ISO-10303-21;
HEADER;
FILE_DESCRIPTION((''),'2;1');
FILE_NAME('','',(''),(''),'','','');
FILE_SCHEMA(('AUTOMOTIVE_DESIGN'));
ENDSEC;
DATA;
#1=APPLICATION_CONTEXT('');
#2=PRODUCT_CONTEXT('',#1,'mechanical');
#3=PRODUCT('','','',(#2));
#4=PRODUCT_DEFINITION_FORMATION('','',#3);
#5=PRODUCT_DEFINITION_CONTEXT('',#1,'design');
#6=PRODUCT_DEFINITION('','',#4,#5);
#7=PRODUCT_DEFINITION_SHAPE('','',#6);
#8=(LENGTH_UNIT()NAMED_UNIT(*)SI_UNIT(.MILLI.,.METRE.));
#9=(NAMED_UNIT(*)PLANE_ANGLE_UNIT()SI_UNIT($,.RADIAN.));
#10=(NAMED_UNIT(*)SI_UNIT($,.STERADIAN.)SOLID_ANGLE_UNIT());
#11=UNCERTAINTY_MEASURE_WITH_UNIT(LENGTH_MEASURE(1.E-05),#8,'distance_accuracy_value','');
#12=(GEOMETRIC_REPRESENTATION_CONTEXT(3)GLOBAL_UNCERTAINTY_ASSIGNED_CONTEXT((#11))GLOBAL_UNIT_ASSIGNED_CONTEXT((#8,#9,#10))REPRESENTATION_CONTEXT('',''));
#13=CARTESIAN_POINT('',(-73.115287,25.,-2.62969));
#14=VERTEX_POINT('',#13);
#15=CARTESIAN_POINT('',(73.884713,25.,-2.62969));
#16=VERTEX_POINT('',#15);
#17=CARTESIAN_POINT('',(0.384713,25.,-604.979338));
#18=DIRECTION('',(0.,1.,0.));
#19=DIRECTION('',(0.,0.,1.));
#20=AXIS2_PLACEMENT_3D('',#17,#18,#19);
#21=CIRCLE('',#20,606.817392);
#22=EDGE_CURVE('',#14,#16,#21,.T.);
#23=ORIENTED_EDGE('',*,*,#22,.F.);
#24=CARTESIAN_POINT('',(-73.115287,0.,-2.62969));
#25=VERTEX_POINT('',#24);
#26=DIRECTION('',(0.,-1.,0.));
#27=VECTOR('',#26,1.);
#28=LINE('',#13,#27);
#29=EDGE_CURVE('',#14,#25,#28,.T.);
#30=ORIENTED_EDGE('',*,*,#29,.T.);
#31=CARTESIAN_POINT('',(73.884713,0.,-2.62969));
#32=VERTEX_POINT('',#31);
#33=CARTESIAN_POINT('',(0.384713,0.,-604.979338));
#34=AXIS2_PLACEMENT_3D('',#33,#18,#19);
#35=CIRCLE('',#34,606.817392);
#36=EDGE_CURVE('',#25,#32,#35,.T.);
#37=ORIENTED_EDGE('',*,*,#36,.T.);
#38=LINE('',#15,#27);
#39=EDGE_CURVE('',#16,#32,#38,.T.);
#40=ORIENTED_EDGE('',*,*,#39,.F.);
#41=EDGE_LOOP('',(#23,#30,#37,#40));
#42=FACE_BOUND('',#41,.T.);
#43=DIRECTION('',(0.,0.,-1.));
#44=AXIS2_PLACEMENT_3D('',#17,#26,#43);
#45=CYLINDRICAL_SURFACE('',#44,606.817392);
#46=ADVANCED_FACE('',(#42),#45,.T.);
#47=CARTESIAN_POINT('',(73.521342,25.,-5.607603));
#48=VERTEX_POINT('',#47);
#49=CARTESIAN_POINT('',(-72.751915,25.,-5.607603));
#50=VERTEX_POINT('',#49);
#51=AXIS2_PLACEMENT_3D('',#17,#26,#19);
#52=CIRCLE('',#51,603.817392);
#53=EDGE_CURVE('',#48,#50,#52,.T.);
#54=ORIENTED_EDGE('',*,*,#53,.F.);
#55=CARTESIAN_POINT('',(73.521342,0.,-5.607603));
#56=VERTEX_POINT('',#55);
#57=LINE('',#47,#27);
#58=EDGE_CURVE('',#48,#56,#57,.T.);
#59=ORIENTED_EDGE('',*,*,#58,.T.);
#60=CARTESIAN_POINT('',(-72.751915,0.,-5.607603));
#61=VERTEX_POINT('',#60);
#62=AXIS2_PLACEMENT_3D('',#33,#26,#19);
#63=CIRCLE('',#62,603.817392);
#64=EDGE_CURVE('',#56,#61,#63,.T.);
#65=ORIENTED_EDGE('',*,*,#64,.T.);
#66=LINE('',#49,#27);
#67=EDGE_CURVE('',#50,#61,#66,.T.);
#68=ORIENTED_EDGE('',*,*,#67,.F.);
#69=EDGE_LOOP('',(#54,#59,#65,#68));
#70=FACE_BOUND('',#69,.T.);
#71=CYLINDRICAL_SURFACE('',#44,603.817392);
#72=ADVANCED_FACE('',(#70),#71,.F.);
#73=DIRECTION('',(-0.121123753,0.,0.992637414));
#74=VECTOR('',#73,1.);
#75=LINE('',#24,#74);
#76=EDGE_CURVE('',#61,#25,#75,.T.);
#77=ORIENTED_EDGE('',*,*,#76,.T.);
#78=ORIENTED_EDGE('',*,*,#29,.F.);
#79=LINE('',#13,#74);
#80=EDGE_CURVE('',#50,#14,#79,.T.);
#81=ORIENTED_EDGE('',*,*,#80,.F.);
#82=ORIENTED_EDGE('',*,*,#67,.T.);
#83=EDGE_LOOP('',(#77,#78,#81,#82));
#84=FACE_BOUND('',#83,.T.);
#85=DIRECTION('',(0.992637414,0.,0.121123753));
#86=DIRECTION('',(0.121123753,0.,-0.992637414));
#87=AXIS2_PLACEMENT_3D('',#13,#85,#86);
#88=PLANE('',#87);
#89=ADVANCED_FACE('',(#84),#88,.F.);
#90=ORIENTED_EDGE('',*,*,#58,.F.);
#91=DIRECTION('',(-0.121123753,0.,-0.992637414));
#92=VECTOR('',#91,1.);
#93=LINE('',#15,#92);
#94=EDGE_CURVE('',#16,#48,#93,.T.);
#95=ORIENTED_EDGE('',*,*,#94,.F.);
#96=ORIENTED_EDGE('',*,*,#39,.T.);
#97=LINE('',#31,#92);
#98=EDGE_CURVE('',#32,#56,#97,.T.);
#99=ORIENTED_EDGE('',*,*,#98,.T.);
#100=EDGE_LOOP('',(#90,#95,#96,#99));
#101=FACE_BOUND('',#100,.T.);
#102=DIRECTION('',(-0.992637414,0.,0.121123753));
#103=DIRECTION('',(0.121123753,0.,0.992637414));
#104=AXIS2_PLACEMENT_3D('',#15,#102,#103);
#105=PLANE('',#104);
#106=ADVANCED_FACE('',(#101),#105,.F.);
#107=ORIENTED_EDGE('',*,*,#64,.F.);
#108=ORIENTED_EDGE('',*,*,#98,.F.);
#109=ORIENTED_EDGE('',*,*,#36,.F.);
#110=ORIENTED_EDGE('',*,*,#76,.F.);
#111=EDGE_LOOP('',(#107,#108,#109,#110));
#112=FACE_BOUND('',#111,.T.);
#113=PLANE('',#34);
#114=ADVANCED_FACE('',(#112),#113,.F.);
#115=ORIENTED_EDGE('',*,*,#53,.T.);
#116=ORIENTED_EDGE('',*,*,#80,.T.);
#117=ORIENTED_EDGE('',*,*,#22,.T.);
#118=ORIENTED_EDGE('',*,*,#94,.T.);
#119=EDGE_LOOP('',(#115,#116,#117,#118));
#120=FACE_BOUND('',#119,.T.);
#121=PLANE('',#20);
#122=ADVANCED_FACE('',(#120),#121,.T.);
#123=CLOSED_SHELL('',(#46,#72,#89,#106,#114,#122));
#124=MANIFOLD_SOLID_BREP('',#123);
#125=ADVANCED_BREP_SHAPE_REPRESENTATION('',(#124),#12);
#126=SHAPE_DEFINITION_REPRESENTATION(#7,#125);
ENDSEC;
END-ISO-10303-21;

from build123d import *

# Parameters (mm, degrees)
BOSS_EXTRUDE1_DEPTH = 25


with BuildPart() as part:
    # Sketch2 → Boss-Extrude1 (new body)
    with BuildSketch(Plane(origin=(0, 0, 0), x_dir=(1, 0, 0), z_dir=(0, 1, 0))):
        with BuildLine():
            Line((-73.115286629, 2.629690485), (-72.75191537, 5.607602728))
            ThreePointArc((-72.75191537, 5.607602728), (0.384713371, 1.161945481), (73.521342111, 5.607602728))
            Line((73.521342111, 5.607602728), (73.884713371, 2.629690485))
            ThreePointArc((73.884713371, 2.629690485), (0.384713371, -1.838054519), (-73.115286629, 2.629690485))
        make_face()
    extrude(amount=BOSS_EXTRUDE1_DEPTH)


solid = part.part
